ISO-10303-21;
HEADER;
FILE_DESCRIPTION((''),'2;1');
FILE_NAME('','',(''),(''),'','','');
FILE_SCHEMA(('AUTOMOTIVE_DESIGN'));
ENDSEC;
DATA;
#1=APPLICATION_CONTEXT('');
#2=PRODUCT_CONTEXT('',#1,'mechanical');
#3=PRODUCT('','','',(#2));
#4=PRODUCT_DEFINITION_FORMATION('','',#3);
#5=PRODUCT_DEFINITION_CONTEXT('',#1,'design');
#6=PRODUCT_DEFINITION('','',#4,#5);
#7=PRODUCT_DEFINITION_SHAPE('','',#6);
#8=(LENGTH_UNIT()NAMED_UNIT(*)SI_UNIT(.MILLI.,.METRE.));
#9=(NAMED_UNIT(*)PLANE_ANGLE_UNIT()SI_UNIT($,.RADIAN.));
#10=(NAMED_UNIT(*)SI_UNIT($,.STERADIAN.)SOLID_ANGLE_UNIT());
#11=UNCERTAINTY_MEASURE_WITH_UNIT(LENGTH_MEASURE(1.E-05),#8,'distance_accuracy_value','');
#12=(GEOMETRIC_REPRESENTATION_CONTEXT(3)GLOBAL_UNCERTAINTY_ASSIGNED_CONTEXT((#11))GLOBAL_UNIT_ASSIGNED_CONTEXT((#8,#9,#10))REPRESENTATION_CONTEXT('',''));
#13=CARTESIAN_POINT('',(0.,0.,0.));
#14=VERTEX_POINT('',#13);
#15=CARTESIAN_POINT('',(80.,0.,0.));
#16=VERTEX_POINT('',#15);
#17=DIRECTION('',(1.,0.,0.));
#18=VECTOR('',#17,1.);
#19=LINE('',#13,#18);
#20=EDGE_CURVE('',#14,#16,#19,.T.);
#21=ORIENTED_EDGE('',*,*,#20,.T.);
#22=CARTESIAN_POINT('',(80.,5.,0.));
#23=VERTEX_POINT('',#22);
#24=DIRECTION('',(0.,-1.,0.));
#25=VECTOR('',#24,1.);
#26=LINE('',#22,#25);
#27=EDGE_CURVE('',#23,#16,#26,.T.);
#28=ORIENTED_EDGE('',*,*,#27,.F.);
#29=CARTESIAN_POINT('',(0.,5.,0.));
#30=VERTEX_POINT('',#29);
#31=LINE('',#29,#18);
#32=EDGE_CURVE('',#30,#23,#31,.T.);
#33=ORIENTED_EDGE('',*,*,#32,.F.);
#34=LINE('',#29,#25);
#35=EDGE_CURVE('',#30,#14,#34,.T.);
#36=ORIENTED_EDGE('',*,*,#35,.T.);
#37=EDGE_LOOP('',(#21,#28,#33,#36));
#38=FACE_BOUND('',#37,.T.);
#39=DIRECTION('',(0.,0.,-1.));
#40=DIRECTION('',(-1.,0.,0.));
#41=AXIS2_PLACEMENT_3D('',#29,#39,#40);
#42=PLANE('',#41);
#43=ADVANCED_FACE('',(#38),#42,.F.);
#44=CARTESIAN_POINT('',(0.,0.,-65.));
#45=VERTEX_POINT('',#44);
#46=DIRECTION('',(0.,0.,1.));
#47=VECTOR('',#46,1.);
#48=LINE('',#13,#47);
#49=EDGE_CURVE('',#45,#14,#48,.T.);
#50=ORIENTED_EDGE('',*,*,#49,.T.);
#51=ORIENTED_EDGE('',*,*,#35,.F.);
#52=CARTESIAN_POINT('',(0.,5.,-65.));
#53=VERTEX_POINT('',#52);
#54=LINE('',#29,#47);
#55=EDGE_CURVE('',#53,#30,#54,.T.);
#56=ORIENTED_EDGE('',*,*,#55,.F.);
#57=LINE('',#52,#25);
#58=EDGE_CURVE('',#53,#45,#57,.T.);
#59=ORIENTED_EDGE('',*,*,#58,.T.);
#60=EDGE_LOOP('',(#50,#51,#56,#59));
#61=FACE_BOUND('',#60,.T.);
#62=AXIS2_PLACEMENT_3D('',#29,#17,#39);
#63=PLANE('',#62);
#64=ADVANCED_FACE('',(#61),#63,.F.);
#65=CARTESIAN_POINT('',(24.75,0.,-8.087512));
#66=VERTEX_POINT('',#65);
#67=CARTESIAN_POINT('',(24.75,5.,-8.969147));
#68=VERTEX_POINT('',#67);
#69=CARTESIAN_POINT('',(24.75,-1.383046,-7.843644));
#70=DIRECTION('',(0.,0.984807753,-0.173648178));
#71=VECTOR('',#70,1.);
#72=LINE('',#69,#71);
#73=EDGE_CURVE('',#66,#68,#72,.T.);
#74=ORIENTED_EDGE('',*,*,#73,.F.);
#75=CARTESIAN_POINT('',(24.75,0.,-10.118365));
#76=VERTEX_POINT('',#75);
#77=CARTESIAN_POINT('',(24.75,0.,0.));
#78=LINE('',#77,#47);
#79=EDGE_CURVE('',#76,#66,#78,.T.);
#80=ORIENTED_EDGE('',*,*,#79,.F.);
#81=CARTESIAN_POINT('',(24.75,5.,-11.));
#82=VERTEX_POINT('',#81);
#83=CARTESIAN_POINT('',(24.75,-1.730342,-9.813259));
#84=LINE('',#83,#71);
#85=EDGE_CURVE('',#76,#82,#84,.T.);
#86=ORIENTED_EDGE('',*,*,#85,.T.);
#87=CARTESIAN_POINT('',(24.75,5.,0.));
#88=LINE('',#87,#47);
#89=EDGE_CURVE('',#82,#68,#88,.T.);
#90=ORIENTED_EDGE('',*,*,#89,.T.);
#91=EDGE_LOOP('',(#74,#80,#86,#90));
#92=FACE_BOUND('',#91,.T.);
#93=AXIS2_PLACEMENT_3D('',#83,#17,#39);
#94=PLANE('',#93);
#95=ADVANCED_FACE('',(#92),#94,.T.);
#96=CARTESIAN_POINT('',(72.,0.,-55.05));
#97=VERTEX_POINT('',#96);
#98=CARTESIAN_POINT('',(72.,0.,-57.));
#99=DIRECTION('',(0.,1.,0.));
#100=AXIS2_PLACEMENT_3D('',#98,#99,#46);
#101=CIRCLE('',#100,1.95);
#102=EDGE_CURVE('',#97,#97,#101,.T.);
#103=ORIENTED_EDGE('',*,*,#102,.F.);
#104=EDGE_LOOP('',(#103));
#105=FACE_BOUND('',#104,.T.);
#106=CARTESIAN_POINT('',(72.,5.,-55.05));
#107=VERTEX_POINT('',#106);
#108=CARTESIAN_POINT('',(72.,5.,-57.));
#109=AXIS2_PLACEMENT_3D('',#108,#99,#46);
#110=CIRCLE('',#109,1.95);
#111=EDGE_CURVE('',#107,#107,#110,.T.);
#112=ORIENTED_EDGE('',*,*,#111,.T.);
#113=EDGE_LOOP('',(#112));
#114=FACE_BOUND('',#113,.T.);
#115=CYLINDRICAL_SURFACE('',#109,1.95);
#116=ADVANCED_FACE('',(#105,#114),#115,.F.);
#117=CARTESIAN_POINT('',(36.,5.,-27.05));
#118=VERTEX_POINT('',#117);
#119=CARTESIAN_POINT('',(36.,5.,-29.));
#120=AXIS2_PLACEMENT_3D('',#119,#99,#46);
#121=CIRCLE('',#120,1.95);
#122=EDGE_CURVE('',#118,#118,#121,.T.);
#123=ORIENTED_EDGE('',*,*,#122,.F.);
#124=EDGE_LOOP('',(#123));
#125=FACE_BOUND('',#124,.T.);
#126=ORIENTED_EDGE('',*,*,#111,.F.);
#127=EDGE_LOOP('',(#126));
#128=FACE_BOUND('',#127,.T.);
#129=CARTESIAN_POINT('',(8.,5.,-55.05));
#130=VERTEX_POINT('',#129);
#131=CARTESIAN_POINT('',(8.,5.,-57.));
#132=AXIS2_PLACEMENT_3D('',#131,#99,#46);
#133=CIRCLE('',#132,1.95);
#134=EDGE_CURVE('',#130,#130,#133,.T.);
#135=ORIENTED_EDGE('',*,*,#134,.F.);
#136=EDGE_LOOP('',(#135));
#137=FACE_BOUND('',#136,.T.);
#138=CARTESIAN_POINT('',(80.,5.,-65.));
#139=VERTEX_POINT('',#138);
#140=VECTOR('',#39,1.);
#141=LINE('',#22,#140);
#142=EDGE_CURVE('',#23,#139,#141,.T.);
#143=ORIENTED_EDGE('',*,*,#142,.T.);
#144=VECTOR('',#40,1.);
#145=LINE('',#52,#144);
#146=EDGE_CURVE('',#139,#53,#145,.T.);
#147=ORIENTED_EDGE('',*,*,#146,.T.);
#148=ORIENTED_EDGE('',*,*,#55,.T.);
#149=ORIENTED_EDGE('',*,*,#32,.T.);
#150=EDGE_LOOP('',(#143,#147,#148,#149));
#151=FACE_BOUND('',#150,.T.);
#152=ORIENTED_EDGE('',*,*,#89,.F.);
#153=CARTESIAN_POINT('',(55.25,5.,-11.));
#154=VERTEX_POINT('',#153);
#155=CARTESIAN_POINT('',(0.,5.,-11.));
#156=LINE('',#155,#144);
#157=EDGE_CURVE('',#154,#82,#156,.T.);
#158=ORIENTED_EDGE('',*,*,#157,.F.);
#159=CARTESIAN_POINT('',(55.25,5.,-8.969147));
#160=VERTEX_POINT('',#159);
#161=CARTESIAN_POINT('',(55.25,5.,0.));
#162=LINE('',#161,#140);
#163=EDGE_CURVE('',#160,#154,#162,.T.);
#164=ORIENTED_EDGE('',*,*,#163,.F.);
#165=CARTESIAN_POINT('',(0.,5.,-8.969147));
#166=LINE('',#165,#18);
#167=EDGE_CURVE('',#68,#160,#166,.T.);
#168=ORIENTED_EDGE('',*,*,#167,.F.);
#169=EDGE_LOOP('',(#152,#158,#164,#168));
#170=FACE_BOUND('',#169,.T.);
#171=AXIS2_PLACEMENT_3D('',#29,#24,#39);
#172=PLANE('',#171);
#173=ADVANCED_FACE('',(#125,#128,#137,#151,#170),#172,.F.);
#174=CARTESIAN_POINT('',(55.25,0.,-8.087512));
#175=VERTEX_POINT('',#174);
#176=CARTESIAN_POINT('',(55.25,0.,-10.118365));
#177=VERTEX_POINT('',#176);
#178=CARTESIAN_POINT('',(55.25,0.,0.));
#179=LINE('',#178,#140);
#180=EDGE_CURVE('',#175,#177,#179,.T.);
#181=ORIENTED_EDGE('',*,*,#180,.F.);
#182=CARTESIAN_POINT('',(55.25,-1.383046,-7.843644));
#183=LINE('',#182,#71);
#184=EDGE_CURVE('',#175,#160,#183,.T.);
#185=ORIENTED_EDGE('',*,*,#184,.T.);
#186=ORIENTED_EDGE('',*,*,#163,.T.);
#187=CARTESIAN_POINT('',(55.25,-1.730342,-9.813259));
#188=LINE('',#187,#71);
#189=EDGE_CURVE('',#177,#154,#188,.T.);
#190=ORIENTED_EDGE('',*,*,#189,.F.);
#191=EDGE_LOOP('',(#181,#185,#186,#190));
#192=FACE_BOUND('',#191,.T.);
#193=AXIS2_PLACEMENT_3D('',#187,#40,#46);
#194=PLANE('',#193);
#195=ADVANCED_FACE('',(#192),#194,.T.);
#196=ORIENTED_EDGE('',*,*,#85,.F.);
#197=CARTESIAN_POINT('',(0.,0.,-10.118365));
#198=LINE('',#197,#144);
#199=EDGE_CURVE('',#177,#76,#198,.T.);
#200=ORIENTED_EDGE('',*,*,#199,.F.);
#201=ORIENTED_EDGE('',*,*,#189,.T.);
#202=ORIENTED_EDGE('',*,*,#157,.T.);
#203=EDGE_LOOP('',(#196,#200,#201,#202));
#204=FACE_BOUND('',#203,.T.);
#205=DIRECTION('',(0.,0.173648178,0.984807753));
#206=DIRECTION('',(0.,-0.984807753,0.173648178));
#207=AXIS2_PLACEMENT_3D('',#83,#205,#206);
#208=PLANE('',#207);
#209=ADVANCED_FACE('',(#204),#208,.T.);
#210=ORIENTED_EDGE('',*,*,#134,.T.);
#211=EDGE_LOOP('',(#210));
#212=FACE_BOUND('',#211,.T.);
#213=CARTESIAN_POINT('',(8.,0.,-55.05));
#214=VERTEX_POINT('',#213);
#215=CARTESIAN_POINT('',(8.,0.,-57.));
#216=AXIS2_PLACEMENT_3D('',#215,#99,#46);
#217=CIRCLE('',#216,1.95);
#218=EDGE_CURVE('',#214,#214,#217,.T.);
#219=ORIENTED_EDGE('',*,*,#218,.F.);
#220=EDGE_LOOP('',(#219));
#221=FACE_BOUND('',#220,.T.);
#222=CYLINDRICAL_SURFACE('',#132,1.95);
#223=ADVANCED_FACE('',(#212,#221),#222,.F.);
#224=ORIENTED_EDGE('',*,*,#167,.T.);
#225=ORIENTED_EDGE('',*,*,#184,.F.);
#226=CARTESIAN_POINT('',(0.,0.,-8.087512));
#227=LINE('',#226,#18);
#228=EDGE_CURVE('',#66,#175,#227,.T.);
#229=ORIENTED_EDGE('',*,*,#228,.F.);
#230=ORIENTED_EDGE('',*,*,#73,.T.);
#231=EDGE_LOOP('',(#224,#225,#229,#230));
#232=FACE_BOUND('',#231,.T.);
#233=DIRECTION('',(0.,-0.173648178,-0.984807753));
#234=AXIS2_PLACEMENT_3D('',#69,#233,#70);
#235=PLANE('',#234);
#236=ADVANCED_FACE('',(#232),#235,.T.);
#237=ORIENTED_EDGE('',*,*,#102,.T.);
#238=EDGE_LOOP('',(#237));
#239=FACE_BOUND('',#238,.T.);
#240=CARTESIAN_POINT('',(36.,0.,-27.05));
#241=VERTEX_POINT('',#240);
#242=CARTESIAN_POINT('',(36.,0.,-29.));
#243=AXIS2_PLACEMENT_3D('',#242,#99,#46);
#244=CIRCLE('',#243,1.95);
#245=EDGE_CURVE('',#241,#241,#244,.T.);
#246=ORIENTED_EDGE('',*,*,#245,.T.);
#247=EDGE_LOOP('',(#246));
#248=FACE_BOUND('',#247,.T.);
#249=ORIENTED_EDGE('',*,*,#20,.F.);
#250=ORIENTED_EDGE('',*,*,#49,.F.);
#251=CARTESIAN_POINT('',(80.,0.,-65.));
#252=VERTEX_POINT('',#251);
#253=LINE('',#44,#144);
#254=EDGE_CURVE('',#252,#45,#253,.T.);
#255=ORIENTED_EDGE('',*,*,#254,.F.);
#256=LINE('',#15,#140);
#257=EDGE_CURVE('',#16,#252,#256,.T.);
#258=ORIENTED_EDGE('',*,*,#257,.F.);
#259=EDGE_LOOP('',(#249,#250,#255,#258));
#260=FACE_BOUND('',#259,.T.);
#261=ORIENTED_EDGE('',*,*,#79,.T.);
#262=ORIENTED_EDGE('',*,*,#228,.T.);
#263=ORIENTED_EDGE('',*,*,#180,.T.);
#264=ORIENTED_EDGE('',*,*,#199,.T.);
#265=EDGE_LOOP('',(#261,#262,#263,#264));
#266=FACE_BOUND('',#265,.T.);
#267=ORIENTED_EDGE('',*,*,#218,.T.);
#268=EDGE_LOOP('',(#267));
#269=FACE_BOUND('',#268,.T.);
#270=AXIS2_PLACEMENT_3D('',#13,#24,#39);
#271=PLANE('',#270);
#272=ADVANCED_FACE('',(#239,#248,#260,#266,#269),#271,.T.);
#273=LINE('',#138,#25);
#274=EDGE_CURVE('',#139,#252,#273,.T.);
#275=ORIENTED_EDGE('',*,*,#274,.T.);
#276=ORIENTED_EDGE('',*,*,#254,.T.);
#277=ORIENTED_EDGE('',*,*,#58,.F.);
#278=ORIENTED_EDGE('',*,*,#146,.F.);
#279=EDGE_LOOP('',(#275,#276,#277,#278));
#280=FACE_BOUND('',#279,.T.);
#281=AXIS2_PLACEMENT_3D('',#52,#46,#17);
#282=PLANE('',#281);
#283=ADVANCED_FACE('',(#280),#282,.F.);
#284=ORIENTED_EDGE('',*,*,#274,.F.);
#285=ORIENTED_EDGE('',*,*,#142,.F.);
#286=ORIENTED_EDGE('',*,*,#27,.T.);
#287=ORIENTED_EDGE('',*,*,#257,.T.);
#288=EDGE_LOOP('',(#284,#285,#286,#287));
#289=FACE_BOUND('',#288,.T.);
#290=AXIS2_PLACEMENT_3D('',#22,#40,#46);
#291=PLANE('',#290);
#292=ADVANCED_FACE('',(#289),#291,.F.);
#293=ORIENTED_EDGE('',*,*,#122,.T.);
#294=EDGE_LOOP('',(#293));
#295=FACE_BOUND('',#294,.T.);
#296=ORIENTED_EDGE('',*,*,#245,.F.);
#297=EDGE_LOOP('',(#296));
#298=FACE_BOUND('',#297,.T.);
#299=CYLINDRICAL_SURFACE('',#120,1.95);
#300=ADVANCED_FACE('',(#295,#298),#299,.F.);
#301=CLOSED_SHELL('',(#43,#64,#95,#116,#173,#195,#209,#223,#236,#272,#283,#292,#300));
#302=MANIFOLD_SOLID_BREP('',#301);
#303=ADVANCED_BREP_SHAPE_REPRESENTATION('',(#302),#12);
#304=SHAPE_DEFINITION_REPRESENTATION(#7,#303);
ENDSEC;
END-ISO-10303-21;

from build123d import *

# Parameters (mm, degrees)
ESQUISSE1_W                  = 80
ESQUISSE1_H                  = 65
BOSS_EXTRU_1_DEPTH           = 5
D_GAGEMENT_M3_51_D           = 3.9
ESQUISSE7_W                  = 30.5
ESQUISSE7_H                  = 2
ENL_V_MAT_EXTRU_1_DEPTH      = 5.924038765
ENL_V_MAT_EXTRU_1_DEPTH_BACK = 12.287131548


with BuildPart() as part:
    # Esquisse1 → Boss.-Extru.1 (new body)
    with BuildSketch(Plane(origin=(0, 0, 0), x_dir=(1, 0, 0), z_dir=(0, 1, 0))):
        with Locations((40, 32.5)):
            Rectangle(ESQUISSE1_W, ESQUISSE1_H)
    extrude(amount=BOSS_EXTRU_1_DEPTH)

    # Dégagement M3.51 (through all)
    with Locations(Plane(origin=(0, 5, 0), x_dir=(1, 0, 0), z_dir=(0, 1, 0))):
        with Locations((8, 57), (36, 29), (72, 57)):
            Hole(D_GAGEMENT_M3_51_D / 2)

    # Esquisse7 → Enlèv. mat.-Extru.1 (cut, two sides)
    with BuildSketch(Plane(origin=(0, 4.849231552, -0.855050358), x_dir=(-1, 0, 0), z_dir=(0, -0.984807753, 0.173648178))) as enl_v_mat_extru_1_sk:
        with Locations((-40, 8.964644395)):
            Rectangle(ESQUISSE7_W, ESQUISSE7_H)
    extrude(amount=ENL_V_MAT_EXTRU_1_DEPTH, mode=Mode.SUBTRACT)
    extrude(enl_v_mat_extru_1_sk.sketch, amount=-ENL_V_MAT_EXTRU_1_DEPTH_BACK, mode=Mode.SUBTRACT)


solid = part.part
